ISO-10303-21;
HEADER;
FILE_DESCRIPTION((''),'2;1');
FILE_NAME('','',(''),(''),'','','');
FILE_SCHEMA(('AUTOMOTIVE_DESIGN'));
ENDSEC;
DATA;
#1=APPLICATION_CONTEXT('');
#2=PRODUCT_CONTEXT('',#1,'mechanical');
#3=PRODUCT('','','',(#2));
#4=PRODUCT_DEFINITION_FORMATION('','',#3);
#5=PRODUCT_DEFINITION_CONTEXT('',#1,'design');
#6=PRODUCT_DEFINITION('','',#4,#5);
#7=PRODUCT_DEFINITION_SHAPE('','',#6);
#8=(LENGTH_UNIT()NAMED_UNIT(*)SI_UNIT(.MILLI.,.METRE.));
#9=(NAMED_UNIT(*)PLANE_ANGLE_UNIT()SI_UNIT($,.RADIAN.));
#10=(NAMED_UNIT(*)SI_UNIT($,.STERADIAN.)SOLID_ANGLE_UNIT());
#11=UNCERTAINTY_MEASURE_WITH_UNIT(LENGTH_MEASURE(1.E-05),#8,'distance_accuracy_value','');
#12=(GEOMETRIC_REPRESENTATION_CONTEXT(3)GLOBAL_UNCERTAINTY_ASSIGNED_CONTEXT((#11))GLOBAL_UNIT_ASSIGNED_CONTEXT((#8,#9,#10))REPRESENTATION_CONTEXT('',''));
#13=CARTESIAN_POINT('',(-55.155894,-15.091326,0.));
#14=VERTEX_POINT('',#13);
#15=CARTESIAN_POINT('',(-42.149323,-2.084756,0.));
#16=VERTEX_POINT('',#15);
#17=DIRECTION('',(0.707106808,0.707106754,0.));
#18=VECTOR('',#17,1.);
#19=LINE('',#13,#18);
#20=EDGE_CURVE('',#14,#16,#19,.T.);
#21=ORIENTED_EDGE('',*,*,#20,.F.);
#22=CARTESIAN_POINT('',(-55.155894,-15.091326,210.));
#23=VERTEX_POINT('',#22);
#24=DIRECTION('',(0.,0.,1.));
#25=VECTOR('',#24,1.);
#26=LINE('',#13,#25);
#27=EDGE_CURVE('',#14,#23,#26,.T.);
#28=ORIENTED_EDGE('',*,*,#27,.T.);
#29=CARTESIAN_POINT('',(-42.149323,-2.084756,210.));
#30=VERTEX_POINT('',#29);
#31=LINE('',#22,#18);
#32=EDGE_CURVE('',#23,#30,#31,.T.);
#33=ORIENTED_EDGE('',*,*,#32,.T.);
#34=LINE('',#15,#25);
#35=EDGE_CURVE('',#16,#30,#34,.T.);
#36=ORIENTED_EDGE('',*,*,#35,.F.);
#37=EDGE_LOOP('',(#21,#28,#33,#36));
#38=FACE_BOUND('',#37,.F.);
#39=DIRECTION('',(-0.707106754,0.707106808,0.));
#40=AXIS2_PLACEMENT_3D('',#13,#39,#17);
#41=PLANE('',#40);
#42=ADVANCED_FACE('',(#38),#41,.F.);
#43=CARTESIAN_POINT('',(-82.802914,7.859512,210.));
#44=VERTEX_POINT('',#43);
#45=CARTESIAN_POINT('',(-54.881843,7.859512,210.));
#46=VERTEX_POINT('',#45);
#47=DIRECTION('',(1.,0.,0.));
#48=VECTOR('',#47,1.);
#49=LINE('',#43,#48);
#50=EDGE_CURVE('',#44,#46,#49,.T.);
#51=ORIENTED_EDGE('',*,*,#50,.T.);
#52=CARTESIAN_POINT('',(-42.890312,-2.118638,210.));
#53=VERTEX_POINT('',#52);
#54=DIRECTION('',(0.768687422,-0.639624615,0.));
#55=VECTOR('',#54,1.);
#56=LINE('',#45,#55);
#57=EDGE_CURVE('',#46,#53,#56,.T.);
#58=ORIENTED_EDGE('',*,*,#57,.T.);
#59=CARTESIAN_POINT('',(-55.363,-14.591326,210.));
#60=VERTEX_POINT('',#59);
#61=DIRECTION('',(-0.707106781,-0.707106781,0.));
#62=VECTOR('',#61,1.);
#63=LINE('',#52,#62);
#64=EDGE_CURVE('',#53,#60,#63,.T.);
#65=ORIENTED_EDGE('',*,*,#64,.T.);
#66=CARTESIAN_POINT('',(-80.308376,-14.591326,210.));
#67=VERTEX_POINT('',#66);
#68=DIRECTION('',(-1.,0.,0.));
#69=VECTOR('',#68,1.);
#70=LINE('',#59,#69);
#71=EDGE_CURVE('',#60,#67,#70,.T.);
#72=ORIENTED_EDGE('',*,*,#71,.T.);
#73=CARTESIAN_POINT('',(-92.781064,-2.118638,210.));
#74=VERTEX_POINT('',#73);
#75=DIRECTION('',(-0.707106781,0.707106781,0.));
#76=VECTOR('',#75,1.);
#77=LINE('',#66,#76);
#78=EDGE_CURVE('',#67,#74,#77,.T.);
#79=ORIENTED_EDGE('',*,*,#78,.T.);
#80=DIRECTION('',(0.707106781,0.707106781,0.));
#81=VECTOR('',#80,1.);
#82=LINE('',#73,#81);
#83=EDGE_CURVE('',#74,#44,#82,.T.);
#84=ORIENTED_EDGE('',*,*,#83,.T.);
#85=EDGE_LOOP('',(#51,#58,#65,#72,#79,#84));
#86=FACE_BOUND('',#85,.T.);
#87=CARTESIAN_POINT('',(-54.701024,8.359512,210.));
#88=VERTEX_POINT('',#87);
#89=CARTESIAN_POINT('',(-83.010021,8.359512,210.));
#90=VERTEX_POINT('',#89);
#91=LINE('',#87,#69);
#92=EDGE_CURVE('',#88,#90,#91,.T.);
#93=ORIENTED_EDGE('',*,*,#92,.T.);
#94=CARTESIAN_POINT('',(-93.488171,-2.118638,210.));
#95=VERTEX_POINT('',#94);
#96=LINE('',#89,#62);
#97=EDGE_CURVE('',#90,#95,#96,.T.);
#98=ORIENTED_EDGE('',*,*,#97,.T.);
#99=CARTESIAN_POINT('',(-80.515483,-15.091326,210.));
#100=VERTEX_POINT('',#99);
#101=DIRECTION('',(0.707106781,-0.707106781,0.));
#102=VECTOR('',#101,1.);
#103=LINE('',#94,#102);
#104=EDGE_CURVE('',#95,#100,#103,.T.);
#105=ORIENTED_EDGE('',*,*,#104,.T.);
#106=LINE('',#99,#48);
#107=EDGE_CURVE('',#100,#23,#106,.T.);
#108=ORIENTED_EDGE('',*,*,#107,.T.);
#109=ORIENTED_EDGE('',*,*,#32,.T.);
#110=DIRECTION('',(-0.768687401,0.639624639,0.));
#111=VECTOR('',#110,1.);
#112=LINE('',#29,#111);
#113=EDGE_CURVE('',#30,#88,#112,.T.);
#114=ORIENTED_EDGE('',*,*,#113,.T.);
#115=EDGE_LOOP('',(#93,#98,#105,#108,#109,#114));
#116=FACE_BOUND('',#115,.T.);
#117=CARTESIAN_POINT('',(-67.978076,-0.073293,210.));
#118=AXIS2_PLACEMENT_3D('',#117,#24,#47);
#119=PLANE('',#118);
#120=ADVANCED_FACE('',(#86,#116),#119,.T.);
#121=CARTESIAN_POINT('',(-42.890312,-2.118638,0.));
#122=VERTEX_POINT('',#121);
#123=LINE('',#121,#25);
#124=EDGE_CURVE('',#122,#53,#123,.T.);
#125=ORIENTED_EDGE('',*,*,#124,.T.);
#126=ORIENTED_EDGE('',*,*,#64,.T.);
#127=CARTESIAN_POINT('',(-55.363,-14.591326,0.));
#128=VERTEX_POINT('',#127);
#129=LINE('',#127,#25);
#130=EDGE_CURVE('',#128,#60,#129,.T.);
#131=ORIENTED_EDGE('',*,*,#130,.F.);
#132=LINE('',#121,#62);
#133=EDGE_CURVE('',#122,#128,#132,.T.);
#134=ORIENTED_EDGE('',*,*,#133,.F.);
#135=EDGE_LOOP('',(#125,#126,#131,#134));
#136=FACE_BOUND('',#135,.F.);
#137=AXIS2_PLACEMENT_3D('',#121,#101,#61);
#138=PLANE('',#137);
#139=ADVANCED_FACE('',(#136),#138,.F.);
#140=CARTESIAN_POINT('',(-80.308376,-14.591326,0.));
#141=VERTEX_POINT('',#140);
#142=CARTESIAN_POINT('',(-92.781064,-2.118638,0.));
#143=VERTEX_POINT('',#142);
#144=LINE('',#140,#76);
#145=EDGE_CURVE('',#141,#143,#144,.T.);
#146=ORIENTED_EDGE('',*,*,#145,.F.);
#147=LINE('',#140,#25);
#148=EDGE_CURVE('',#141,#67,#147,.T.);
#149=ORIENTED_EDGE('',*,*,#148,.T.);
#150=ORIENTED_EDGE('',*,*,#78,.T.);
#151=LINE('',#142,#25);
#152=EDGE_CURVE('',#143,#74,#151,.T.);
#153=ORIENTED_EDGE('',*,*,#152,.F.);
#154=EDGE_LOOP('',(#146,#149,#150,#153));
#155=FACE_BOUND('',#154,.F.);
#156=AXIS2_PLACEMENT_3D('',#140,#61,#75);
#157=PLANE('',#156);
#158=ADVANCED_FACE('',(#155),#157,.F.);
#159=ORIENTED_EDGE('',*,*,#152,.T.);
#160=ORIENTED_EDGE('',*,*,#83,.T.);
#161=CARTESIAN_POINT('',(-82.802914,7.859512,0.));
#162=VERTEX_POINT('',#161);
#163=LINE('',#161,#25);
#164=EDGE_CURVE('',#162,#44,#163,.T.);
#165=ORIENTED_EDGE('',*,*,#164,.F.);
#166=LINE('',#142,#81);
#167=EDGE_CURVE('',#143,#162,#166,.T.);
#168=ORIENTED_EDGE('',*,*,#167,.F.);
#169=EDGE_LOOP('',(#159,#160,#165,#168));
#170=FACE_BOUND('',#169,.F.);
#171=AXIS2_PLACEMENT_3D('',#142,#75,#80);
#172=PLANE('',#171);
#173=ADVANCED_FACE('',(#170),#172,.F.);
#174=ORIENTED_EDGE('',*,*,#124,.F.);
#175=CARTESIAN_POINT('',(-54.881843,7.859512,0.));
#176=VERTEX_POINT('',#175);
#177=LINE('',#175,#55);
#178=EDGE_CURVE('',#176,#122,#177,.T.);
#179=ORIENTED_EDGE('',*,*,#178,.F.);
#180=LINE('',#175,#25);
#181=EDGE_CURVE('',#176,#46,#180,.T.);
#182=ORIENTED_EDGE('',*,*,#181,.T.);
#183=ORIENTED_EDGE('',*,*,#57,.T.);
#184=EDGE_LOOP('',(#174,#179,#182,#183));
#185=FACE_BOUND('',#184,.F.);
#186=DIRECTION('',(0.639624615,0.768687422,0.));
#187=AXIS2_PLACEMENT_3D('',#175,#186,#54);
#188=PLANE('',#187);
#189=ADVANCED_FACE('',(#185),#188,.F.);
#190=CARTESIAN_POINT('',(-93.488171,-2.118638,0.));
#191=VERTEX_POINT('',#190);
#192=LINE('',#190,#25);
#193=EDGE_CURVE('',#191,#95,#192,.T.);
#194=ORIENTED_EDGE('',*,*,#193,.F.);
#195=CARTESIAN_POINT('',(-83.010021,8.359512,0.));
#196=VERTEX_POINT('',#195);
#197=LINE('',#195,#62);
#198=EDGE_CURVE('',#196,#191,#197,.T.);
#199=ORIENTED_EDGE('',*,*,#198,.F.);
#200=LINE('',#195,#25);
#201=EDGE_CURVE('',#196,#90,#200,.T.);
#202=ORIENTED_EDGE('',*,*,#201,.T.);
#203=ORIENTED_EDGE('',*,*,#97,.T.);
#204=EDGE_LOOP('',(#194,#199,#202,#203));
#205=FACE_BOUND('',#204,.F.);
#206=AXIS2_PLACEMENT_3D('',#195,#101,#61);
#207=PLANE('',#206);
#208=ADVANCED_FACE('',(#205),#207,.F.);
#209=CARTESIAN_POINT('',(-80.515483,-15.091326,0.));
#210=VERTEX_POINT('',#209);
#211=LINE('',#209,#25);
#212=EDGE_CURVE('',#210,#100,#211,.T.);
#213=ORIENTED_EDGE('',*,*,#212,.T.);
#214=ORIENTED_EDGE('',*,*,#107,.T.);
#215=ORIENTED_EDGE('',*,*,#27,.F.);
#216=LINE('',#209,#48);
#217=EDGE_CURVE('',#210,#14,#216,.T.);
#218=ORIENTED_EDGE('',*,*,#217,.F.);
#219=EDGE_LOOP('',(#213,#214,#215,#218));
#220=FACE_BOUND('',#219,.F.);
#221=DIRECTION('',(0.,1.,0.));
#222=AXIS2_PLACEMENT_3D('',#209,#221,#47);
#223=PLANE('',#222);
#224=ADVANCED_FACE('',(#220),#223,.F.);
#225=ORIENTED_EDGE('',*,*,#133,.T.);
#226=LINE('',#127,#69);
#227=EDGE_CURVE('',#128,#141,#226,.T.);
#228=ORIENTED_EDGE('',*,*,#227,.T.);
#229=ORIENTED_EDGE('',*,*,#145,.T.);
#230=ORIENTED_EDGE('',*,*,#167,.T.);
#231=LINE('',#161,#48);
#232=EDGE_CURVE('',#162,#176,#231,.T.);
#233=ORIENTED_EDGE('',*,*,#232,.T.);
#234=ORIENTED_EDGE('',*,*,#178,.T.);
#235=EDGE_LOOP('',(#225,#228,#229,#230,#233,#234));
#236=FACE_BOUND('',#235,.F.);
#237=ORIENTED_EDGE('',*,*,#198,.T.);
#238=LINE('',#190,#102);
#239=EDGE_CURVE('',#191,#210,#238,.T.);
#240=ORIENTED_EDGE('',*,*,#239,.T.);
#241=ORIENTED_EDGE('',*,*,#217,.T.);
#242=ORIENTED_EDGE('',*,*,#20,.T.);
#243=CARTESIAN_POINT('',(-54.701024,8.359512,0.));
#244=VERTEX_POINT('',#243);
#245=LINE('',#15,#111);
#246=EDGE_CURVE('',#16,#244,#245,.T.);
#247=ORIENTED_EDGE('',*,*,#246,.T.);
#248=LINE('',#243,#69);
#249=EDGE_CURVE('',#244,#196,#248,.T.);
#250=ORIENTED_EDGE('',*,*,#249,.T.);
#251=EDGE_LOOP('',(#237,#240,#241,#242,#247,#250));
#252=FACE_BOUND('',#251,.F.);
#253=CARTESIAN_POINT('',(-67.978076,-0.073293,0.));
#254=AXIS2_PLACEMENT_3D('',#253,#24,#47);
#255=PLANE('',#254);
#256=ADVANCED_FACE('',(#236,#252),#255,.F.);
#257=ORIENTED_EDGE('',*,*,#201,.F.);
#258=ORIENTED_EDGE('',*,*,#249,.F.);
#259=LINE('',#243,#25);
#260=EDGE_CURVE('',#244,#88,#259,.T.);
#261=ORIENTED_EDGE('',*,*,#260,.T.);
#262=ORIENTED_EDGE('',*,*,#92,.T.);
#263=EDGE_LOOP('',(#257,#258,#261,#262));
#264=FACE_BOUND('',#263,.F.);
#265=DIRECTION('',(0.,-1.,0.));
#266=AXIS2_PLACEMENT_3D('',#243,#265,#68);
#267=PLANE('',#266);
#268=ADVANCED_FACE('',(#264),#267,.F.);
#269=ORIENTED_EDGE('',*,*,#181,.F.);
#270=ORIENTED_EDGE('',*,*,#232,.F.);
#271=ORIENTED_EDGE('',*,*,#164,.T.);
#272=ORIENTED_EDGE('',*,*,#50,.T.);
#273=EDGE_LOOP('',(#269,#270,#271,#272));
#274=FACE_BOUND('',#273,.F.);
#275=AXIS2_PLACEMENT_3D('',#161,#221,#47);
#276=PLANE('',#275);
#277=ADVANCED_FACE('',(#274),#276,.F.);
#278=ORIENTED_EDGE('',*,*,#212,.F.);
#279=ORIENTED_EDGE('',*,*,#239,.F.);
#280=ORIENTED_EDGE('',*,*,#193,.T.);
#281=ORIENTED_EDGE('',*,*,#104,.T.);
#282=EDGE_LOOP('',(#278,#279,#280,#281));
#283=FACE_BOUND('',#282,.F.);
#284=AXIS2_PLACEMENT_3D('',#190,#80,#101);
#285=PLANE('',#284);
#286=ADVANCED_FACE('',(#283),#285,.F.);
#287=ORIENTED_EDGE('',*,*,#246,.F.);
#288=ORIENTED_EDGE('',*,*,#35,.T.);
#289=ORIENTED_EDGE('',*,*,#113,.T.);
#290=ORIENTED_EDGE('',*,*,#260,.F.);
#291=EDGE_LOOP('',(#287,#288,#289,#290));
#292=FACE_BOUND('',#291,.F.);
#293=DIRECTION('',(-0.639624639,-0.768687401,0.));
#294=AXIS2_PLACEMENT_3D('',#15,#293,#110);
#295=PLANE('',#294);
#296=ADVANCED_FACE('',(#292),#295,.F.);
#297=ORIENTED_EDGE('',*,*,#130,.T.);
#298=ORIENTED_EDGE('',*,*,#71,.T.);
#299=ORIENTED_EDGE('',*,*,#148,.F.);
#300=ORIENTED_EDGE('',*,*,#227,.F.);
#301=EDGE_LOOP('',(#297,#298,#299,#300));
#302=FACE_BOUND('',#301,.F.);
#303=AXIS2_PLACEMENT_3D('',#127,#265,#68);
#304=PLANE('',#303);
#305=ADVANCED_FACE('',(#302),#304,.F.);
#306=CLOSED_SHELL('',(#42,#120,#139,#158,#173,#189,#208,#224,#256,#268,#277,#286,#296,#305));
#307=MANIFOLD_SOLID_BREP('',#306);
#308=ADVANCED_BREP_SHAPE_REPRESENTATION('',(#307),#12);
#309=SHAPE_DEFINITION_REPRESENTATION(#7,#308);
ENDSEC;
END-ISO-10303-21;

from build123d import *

# Parameters (mm, degrees)
F1_DEPTH = 210


with BuildPart() as f1:
    # F0 (on Top) → F1 (new body)
    with BuildSketch(Plane.XY):
        Polygon((-54.881843, 7.859512), (-42.890312, -2.118638), (-55.363, -14.591326), (-55.861931, -15.091326), (-55.155894, -15.091326), (-42.149323, -2.084756), (-54.701024, 8.359512), (-83.010021, 8.359512), (-93.488171, -2.118638), (-80.515483, -15.091326), (-79.807307, -15.091326), (-80.308376, -14.591326), (-92.781064, -2.118638), (-82.802914, 7.859512), align=None)
        Polygon((-55.861931, -15.091326), (-55.363, -14.591326), (-80.308376, -14.591326), (-79.807307, -15.091326), align=None)
    extrude(amount=F1_DEPTH)


solid = f1.part
